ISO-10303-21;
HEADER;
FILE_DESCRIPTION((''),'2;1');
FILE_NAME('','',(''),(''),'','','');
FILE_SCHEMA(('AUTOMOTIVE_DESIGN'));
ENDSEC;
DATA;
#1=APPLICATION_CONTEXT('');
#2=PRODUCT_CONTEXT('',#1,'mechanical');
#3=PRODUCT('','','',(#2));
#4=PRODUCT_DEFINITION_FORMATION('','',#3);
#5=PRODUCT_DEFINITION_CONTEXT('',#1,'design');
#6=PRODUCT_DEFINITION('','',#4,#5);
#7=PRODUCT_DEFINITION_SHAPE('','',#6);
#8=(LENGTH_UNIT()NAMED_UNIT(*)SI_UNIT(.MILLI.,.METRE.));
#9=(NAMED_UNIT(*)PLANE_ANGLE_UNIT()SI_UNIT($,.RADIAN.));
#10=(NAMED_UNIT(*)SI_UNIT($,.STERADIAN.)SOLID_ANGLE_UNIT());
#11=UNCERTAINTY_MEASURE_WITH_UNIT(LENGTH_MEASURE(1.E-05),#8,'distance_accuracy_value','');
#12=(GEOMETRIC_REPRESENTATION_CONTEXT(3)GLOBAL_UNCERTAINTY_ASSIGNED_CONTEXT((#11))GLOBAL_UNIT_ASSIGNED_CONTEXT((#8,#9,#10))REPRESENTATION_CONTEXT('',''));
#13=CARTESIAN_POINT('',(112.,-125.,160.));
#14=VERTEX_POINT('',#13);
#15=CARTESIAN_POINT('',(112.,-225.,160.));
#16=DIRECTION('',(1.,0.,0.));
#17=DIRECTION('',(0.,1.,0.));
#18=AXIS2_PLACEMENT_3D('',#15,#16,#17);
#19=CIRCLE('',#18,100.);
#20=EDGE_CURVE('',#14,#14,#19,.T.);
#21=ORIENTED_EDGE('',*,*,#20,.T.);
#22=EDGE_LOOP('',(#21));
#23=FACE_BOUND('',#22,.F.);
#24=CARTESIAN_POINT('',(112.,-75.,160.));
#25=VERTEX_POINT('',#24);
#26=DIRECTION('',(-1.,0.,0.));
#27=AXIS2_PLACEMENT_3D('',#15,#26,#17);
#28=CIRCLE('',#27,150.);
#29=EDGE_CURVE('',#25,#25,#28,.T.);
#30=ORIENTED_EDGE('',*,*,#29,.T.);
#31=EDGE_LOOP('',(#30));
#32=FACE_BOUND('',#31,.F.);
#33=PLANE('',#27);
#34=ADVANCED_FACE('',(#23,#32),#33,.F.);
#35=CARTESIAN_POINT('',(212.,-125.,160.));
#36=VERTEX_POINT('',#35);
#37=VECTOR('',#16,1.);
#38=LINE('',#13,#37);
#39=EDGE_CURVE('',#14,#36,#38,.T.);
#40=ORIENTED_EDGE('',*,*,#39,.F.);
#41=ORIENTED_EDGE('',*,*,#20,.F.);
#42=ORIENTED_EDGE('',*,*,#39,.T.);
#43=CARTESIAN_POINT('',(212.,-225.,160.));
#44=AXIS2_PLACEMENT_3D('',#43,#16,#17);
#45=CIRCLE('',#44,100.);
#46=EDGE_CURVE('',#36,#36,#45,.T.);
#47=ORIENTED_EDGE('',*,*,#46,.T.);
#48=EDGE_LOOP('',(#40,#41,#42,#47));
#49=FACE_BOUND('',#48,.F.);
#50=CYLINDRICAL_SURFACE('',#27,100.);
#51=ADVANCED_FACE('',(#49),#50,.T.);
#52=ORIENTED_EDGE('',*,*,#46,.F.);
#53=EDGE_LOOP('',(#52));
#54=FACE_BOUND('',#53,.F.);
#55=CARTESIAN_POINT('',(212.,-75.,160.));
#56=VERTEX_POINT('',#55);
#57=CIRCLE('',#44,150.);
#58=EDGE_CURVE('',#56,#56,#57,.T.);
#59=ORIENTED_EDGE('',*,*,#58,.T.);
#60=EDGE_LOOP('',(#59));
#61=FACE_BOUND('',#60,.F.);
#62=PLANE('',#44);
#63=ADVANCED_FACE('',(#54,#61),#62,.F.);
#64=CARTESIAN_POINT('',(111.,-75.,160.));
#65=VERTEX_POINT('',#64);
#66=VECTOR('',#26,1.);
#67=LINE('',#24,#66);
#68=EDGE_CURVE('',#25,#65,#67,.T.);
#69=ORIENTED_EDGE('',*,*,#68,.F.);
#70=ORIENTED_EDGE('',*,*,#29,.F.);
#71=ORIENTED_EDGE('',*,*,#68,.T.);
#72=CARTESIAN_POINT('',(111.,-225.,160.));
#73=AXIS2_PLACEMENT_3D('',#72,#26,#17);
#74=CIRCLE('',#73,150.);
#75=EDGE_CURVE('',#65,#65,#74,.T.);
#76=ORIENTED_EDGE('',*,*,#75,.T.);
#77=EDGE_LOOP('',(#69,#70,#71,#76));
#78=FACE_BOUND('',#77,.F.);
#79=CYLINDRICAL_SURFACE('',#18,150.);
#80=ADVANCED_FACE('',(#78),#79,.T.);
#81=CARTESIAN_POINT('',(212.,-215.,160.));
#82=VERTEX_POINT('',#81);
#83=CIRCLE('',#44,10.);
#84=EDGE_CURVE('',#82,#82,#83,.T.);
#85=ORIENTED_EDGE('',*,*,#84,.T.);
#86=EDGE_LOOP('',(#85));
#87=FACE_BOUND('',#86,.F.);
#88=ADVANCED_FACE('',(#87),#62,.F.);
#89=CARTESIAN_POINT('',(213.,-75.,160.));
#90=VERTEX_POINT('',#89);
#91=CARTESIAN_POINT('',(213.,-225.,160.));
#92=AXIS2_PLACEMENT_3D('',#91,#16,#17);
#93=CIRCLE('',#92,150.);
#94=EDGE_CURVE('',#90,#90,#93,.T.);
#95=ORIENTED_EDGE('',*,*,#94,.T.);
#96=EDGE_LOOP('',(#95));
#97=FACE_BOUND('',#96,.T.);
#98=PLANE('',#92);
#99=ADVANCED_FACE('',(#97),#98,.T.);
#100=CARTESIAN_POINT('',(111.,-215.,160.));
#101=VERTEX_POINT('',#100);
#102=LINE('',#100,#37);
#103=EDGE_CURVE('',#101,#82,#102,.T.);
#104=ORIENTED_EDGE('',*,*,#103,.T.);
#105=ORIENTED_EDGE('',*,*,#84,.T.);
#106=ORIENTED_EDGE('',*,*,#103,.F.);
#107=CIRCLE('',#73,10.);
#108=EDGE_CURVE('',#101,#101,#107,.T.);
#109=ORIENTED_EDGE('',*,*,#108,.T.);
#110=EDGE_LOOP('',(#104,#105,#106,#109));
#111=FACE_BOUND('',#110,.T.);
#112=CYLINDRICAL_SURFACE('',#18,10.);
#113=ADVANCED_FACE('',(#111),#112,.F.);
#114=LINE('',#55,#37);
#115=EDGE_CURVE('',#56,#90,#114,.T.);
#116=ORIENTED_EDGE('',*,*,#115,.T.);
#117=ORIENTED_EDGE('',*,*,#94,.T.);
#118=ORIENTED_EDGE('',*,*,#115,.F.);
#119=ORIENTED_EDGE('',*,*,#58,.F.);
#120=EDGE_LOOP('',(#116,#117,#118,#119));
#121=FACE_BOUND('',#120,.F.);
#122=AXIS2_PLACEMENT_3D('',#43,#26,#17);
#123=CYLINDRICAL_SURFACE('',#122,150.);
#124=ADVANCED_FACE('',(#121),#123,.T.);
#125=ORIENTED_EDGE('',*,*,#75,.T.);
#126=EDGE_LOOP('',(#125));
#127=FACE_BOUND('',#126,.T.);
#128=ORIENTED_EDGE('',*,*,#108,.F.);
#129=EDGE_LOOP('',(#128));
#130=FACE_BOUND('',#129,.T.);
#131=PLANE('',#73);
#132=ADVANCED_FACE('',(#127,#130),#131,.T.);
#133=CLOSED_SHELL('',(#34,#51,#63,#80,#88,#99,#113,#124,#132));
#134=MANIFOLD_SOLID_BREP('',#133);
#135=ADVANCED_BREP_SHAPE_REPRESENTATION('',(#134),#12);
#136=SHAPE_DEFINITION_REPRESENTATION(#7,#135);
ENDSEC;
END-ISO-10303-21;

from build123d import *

# Parameters (mm, degrees)
SKETCH012_R   = 100
SKETCH012_R_2 = 10
PAD009_DEPTH  = 100
SKETCH013_R   = 150
SKETCH013_R_2 = 10
PAD011_DEPTH  = 1
SKETCH014_R   = 150
PAD010_DEPTH  = 1


with BuildPart() as part:
    # Sketch012 → Pad009 (new body)
    with BuildSketch(Plane.YZ):
        Circle(SKETCH012_R)
        Circle(SKETCH012_R_2, mode=Mode.SUBTRACT)
    extrude(amount=PAD009_DEPTH)

    # Sketch013 (on Face3 of Pad009) → Pad011 (join)
    with BuildSketch(Plane(origin=(0, 0, 0), x_dir=(0, 1, 0), z_dir=(-1, 0, 0))):
        Circle(SKETCH013_R)
        Circle(SKETCH013_R_2, mode=Mode.SUBTRACT)
    extrude(amount=PAD011_DEPTH)

    # Sketch014 (on Face3 of Pad011) → Pad010 (join)
    with BuildSketch(Plane.YZ.offset(100)):
        Circle(SKETCH014_R)
    extrude(amount=PAD010_DEPTH)


with BuildPart() as part_1:
    # Body004 placement: moved
    add(part.part.moved(Location((112, -225, 160))))


solid = part_1.part
